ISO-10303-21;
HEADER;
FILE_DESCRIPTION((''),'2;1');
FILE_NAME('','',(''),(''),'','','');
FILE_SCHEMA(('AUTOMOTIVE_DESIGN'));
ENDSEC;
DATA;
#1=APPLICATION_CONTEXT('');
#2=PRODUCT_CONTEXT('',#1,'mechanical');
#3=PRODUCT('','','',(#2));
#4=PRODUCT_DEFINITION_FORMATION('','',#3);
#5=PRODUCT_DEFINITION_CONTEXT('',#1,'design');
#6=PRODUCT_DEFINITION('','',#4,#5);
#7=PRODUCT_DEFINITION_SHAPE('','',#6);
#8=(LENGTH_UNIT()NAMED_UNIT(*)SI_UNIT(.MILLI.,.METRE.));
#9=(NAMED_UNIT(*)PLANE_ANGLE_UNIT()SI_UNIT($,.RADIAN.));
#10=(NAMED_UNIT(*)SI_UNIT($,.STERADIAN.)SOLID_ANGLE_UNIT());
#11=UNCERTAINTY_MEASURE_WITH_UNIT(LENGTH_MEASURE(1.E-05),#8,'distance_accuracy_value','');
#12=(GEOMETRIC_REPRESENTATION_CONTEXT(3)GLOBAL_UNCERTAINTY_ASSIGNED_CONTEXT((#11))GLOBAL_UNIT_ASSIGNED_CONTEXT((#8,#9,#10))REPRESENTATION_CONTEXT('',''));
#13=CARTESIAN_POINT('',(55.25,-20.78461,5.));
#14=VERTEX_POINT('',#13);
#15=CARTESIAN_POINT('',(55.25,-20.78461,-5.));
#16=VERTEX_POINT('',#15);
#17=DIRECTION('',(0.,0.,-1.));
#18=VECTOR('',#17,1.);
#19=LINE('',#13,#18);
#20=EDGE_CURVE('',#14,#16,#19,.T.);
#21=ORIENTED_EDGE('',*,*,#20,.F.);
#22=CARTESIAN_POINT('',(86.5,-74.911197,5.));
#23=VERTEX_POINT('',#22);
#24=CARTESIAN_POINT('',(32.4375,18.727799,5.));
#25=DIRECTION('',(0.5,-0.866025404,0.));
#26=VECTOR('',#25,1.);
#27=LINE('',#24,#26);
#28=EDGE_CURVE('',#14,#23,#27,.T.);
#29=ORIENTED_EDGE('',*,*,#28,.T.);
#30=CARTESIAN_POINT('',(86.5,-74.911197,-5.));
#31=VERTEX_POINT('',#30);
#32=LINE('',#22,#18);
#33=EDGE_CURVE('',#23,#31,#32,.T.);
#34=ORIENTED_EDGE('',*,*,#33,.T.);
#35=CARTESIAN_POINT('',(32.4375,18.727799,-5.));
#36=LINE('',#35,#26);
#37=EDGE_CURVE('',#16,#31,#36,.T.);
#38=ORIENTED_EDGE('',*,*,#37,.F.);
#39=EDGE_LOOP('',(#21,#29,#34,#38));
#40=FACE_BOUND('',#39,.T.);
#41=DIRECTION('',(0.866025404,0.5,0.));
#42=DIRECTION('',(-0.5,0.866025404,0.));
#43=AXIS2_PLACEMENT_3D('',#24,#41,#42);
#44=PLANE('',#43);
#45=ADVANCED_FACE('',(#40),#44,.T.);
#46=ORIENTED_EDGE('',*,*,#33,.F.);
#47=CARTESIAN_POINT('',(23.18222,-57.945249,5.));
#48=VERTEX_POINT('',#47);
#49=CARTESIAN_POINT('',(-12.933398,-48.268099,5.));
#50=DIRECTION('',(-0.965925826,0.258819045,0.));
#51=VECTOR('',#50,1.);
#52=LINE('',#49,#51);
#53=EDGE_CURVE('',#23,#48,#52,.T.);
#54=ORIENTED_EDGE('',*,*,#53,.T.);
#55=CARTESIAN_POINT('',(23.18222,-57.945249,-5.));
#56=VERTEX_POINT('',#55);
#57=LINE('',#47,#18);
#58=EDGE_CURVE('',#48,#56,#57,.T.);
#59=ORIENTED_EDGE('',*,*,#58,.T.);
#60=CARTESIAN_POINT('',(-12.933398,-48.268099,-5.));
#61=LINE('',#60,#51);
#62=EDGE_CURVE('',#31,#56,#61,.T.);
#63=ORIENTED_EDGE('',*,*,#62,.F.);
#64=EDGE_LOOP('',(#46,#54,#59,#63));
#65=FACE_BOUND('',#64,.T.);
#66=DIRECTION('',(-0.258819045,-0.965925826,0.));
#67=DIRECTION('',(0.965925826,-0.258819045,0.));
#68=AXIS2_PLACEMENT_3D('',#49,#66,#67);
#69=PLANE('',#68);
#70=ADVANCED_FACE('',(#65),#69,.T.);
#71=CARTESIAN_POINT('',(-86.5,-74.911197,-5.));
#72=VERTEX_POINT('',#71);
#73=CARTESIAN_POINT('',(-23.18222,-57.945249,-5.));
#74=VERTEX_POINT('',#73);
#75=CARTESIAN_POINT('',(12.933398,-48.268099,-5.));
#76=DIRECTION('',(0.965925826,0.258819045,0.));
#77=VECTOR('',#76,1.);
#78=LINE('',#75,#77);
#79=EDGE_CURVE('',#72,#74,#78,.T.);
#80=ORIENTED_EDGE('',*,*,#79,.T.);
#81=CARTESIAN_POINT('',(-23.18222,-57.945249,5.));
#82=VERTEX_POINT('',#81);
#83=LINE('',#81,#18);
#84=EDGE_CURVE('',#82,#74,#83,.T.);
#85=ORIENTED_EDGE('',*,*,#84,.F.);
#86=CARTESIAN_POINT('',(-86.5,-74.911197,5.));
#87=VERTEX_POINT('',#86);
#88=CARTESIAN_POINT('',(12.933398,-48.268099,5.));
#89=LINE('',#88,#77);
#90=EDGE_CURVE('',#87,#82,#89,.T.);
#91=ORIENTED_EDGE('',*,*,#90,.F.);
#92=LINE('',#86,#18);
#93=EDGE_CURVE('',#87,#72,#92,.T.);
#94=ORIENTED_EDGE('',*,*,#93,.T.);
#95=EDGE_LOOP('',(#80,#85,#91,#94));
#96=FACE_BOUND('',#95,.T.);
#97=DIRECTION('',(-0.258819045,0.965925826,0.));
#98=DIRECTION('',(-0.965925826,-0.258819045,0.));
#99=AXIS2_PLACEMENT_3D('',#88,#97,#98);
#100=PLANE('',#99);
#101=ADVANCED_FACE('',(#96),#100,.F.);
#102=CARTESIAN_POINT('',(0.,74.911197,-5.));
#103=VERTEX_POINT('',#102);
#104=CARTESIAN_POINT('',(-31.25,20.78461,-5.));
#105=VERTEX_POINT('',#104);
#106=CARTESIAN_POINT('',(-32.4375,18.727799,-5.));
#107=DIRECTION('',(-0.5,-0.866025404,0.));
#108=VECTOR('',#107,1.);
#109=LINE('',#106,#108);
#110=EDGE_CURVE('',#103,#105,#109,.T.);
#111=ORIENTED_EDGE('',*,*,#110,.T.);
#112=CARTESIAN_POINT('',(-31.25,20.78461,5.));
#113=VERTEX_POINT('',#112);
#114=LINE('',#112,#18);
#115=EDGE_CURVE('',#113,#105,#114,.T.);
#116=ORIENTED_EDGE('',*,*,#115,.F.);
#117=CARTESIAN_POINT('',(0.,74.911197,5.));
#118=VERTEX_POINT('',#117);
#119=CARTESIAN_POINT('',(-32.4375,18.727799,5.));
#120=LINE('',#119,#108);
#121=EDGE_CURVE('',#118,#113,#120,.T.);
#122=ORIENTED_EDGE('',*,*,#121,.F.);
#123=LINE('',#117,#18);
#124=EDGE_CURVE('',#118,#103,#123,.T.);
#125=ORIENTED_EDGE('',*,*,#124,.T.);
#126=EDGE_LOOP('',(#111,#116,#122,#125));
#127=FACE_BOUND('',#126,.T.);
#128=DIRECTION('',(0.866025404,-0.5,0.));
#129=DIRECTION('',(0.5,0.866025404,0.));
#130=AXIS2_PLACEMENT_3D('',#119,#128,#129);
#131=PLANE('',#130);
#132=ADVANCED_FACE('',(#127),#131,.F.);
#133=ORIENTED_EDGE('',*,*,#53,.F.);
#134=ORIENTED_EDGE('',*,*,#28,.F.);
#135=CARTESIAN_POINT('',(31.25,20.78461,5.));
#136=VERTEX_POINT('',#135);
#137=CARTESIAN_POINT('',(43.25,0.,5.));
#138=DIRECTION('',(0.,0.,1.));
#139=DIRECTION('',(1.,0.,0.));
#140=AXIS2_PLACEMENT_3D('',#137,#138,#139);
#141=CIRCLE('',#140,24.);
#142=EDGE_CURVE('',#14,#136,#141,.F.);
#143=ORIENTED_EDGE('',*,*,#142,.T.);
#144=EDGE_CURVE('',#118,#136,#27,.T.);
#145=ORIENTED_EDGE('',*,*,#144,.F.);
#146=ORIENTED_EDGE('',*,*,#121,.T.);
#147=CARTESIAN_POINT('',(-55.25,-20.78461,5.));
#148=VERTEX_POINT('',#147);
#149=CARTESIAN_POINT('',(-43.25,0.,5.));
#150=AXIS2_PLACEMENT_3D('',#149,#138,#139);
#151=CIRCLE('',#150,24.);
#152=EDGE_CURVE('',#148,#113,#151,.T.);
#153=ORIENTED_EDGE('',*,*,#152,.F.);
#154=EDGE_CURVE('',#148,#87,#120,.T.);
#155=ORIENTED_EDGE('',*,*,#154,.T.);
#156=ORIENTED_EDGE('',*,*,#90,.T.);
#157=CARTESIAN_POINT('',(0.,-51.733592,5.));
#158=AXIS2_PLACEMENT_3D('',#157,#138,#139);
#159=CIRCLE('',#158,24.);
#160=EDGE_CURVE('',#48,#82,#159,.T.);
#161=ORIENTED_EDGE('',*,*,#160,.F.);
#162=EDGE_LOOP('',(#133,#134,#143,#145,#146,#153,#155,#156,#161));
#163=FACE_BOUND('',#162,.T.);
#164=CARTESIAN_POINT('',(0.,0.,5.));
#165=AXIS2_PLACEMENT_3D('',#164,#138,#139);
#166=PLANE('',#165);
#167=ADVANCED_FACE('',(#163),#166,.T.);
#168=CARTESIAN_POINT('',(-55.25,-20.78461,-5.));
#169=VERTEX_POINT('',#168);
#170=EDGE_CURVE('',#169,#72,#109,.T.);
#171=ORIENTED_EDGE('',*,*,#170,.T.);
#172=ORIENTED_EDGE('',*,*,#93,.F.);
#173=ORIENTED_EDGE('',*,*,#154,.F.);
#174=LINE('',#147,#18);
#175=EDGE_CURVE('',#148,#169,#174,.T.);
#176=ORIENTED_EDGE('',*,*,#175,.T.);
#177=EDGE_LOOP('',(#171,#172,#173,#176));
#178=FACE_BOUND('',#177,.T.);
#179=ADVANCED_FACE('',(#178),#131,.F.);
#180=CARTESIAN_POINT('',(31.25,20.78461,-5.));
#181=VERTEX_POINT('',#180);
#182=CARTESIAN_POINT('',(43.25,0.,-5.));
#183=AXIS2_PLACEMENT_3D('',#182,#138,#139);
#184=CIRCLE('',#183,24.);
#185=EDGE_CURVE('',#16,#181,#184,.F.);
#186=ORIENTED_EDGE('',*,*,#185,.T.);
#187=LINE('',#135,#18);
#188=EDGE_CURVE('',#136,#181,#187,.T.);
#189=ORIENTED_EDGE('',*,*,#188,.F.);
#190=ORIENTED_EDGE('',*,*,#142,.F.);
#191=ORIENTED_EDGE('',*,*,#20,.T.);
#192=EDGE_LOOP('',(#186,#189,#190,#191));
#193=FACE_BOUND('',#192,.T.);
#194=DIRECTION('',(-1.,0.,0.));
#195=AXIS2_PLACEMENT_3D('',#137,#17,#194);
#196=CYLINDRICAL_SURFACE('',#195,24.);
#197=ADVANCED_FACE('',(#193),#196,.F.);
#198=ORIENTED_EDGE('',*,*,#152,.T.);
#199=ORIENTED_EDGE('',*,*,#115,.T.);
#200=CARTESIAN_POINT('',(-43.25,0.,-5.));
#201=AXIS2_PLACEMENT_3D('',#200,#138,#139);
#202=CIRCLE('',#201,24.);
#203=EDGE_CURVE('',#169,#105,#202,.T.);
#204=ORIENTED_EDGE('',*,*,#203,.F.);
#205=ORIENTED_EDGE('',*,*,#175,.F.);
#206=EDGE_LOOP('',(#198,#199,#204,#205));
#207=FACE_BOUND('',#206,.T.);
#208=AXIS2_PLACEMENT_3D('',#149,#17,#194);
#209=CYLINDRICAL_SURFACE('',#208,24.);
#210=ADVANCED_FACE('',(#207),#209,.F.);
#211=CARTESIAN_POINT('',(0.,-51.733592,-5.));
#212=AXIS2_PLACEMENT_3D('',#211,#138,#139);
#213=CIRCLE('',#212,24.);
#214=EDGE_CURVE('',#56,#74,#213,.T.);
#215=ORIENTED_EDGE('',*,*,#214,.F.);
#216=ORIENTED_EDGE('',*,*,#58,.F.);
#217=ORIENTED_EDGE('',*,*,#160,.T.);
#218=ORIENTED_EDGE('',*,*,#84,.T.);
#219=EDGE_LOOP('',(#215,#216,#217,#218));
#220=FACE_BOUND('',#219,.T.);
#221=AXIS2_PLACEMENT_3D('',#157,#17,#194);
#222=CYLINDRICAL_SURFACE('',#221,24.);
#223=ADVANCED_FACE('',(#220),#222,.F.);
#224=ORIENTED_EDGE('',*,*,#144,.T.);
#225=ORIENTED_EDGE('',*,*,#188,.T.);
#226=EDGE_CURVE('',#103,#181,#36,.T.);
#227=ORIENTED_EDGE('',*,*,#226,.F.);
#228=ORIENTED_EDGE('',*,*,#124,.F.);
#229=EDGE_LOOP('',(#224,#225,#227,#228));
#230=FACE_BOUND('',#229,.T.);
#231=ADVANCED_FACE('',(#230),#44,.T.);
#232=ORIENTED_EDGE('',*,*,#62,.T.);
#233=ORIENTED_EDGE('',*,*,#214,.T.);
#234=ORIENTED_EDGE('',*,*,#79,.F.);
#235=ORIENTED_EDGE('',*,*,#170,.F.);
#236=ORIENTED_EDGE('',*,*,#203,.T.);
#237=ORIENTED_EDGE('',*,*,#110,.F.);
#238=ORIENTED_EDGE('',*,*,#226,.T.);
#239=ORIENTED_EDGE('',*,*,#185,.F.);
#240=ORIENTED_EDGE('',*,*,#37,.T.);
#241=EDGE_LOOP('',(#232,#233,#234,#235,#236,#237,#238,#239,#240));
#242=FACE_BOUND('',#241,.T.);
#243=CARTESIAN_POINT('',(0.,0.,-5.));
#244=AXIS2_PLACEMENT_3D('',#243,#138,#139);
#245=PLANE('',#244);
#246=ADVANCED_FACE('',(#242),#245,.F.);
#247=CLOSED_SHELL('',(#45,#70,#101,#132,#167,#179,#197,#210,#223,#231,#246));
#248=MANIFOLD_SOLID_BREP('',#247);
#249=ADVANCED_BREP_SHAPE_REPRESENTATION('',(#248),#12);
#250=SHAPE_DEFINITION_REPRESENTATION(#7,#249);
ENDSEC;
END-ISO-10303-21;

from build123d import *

# Parameters (mm, degrees)
BOSS_EXTRUDE1_DEPTH = 5


with BuildPart() as part:
    # Sketch1 → Boss-Extrude1 (new, symmetric)
    with BuildSketch(Plane.XY):
        with BuildLine():
            Line((31.25, 20.784609691), (0, 74.911197427))
            Line((0, 74.911197427), (0, -27.733592282))
            ThreePointArc((0, -27.733592282), (19.040480167, -37.123317986), (23.182219831, -57.945249365))
            Line((23.182219831, -57.945249365), (86.5, -74.911197427))
            Line((86.5, -74.911197427), (55.25, -20.784609691))
            ThreePointArc((55.25, -20.784609691), (22.465390309, -12), (31.25, 20.784609691))
        make_face()
        with BuildLine():
            Line((0, -27.733592282), (0, 74.911197427))
            Line((0, 74.911197427), (-31.25, 20.784609691))
            ThreePointArc((-31.25, 20.784609691), (-22.465390309, -12), (-55.25, -20.784609691))
            Line((-55.25, -20.784609691), (-86.5, -74.911197427))
            Line((-86.5, -74.911197427), (-23.182219831, -57.945249365))
            ThreePointArc((-23.182219831, -57.945249365), (-19.040480167, -37.123317986), (0, -27.733592282))
        make_face()
    extrude(amount=BOSS_EXTRUDE1_DEPTH, both=True)


solid = part.part
